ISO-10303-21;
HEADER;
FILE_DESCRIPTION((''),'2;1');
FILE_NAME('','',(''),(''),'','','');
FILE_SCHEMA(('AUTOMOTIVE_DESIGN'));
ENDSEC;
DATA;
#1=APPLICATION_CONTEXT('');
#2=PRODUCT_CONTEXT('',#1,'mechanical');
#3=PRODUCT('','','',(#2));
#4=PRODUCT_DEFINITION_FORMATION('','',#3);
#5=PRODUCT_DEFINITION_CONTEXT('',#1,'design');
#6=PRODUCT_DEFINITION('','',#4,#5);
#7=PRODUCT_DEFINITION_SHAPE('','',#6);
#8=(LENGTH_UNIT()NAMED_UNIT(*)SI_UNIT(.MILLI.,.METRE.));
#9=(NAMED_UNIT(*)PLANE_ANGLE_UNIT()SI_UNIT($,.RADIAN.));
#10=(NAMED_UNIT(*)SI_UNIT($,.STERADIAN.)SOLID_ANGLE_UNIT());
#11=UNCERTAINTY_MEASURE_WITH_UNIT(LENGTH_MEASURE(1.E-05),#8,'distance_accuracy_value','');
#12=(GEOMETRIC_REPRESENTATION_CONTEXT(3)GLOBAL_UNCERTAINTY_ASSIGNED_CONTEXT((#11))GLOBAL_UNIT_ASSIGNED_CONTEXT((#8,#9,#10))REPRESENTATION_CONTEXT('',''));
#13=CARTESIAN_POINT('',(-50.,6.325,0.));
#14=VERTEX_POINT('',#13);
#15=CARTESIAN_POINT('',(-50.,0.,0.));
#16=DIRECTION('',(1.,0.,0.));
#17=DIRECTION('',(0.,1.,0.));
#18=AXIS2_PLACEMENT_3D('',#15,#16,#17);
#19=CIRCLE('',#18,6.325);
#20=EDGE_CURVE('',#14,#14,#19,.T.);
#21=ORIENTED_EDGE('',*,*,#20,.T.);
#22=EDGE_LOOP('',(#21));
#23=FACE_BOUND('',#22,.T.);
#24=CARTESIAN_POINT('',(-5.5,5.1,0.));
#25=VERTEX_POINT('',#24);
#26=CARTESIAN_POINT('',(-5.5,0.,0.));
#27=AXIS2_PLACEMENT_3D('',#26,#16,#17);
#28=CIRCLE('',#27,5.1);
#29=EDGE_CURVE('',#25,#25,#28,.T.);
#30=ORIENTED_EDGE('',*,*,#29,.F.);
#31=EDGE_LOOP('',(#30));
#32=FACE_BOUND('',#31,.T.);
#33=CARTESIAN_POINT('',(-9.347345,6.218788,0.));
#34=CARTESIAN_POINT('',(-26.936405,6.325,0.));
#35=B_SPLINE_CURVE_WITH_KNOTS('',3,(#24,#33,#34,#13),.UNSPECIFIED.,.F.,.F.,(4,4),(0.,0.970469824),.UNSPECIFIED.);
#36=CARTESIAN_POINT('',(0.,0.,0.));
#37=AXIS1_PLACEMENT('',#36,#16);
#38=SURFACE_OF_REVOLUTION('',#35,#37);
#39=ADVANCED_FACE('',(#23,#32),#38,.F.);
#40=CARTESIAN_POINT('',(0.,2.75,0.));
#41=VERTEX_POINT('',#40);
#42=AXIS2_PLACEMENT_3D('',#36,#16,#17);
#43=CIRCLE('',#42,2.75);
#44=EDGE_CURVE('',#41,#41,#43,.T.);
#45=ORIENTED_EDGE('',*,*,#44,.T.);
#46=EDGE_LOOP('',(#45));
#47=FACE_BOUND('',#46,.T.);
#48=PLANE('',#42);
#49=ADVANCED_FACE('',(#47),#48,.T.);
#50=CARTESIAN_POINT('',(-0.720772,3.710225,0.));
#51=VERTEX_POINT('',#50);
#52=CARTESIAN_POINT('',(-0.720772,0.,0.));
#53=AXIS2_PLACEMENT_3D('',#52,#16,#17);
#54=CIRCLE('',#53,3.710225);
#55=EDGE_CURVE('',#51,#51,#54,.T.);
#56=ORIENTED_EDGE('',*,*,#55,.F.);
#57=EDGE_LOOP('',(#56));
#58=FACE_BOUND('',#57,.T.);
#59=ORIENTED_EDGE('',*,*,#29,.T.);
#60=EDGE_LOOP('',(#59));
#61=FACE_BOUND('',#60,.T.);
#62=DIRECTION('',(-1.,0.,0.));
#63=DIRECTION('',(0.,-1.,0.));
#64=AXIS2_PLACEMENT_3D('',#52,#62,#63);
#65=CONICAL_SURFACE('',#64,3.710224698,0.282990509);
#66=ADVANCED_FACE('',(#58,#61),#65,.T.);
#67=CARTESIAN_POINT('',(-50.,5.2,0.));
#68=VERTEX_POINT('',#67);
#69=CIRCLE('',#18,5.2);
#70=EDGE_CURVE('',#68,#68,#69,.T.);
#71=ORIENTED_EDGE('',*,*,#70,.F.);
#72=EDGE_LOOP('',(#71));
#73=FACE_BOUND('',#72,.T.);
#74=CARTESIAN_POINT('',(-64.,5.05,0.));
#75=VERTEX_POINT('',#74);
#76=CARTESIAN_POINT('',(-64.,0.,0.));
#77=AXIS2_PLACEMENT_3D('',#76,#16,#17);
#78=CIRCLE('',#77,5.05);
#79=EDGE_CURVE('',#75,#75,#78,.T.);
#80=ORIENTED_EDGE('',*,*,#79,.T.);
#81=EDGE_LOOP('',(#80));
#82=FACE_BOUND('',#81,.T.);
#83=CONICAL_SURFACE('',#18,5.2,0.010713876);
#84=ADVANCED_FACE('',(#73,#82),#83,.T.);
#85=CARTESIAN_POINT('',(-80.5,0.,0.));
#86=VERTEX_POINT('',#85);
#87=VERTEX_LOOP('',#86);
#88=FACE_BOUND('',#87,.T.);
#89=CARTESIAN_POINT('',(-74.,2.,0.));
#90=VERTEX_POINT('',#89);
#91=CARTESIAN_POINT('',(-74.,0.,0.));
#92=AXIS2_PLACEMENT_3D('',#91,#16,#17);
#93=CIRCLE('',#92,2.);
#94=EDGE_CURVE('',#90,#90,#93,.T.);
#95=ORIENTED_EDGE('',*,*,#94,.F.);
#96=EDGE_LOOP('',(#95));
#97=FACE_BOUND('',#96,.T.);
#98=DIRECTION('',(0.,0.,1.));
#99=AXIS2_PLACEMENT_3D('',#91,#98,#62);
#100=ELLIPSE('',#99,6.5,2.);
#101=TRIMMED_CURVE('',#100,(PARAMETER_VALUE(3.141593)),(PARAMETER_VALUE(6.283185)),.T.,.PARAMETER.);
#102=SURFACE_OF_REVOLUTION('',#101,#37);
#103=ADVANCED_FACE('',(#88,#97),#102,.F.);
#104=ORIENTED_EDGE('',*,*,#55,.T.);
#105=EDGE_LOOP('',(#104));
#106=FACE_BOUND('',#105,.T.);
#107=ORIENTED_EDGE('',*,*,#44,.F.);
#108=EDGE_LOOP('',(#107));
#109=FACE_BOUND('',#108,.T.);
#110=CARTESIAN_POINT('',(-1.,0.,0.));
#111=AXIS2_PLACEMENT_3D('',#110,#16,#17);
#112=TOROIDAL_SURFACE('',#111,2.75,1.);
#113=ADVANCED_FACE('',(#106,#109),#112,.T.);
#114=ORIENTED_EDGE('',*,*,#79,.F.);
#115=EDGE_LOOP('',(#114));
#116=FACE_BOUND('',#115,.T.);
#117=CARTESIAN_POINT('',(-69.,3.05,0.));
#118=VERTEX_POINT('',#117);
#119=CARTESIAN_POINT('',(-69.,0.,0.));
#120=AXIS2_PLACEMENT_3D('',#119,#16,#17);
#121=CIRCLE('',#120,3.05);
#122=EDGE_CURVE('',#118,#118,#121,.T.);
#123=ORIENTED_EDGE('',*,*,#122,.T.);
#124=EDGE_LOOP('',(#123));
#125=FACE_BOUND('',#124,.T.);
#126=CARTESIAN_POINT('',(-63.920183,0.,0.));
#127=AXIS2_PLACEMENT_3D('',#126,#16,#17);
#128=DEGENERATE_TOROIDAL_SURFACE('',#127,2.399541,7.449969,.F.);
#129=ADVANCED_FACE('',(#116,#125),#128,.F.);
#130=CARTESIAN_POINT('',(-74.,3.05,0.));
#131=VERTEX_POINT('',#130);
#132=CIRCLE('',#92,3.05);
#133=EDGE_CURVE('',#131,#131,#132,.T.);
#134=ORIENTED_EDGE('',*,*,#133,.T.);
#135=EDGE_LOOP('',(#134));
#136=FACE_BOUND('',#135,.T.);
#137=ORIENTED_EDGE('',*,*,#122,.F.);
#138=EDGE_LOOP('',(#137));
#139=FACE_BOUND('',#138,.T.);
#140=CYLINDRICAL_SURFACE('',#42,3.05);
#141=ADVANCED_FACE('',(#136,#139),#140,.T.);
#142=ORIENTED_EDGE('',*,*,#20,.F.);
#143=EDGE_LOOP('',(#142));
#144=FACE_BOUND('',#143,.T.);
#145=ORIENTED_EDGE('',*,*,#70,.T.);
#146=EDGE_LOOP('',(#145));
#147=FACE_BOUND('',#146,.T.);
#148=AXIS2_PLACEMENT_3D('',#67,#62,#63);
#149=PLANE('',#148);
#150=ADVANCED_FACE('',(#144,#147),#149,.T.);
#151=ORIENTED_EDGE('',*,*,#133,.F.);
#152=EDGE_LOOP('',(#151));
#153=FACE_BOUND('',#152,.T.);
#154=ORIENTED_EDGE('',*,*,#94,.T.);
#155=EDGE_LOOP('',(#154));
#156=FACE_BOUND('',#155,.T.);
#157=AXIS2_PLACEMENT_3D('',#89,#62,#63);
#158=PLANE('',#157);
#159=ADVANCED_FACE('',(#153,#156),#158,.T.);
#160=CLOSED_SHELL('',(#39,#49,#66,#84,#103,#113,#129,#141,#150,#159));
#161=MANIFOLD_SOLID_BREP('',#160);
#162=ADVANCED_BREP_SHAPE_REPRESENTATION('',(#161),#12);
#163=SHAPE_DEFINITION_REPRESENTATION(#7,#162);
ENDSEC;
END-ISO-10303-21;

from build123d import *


with BuildPart() as part:
    # Sketch1 → Revolve1 (revolve)
    with BuildSketch(Plane.XY):
        with BuildLine():
            Line((0, 0), (-80.5, 0))
            add(Edge.make_bspline(
                [(-74, 2), (-80.5, 2), (-80.5, 0)],
                knots=[4.71238898, 4.71238898, 4.71238898, 6.283185307, 6.283185307, 6.283185307], degree=2, weights=[1, 0.707106781, 1]))
            Line((-74, 2), (-74, 3.05))
            Line((-74, 3.05), (-69, 3.05))
            ThreePointArc((-69, 3.05), (-66.68703246, 4.51758115), (-64, 5.05))
            Line((-64, 5.05), (-50, 5.2))
            Line((-50, 5.2), (-50, 6.325))
            add(Edge.make_bspline(
                [(-50, 6.325), (-26.936405274, 6.325), (-9.347344877, 6.218788302), (-5.5, 5.1)],
                knots=[0, 0, 0, 0, 0.970469824, 0.970469824, 0.970469824, 0.970469824], degree=3))
            Line((-5.5, 5.1), (-0.720771547, 3.710224698))
            ThreePointArc((-0.720771547, 3.710224698), (-0.200241145, 3.350321392), (0, 2.75))
            Line((0, 2.75), (0, 0))
        make_face()
    revolve(axis=Axis((0, 0, 0), (-1, 0, 0)))


solid = part.part
